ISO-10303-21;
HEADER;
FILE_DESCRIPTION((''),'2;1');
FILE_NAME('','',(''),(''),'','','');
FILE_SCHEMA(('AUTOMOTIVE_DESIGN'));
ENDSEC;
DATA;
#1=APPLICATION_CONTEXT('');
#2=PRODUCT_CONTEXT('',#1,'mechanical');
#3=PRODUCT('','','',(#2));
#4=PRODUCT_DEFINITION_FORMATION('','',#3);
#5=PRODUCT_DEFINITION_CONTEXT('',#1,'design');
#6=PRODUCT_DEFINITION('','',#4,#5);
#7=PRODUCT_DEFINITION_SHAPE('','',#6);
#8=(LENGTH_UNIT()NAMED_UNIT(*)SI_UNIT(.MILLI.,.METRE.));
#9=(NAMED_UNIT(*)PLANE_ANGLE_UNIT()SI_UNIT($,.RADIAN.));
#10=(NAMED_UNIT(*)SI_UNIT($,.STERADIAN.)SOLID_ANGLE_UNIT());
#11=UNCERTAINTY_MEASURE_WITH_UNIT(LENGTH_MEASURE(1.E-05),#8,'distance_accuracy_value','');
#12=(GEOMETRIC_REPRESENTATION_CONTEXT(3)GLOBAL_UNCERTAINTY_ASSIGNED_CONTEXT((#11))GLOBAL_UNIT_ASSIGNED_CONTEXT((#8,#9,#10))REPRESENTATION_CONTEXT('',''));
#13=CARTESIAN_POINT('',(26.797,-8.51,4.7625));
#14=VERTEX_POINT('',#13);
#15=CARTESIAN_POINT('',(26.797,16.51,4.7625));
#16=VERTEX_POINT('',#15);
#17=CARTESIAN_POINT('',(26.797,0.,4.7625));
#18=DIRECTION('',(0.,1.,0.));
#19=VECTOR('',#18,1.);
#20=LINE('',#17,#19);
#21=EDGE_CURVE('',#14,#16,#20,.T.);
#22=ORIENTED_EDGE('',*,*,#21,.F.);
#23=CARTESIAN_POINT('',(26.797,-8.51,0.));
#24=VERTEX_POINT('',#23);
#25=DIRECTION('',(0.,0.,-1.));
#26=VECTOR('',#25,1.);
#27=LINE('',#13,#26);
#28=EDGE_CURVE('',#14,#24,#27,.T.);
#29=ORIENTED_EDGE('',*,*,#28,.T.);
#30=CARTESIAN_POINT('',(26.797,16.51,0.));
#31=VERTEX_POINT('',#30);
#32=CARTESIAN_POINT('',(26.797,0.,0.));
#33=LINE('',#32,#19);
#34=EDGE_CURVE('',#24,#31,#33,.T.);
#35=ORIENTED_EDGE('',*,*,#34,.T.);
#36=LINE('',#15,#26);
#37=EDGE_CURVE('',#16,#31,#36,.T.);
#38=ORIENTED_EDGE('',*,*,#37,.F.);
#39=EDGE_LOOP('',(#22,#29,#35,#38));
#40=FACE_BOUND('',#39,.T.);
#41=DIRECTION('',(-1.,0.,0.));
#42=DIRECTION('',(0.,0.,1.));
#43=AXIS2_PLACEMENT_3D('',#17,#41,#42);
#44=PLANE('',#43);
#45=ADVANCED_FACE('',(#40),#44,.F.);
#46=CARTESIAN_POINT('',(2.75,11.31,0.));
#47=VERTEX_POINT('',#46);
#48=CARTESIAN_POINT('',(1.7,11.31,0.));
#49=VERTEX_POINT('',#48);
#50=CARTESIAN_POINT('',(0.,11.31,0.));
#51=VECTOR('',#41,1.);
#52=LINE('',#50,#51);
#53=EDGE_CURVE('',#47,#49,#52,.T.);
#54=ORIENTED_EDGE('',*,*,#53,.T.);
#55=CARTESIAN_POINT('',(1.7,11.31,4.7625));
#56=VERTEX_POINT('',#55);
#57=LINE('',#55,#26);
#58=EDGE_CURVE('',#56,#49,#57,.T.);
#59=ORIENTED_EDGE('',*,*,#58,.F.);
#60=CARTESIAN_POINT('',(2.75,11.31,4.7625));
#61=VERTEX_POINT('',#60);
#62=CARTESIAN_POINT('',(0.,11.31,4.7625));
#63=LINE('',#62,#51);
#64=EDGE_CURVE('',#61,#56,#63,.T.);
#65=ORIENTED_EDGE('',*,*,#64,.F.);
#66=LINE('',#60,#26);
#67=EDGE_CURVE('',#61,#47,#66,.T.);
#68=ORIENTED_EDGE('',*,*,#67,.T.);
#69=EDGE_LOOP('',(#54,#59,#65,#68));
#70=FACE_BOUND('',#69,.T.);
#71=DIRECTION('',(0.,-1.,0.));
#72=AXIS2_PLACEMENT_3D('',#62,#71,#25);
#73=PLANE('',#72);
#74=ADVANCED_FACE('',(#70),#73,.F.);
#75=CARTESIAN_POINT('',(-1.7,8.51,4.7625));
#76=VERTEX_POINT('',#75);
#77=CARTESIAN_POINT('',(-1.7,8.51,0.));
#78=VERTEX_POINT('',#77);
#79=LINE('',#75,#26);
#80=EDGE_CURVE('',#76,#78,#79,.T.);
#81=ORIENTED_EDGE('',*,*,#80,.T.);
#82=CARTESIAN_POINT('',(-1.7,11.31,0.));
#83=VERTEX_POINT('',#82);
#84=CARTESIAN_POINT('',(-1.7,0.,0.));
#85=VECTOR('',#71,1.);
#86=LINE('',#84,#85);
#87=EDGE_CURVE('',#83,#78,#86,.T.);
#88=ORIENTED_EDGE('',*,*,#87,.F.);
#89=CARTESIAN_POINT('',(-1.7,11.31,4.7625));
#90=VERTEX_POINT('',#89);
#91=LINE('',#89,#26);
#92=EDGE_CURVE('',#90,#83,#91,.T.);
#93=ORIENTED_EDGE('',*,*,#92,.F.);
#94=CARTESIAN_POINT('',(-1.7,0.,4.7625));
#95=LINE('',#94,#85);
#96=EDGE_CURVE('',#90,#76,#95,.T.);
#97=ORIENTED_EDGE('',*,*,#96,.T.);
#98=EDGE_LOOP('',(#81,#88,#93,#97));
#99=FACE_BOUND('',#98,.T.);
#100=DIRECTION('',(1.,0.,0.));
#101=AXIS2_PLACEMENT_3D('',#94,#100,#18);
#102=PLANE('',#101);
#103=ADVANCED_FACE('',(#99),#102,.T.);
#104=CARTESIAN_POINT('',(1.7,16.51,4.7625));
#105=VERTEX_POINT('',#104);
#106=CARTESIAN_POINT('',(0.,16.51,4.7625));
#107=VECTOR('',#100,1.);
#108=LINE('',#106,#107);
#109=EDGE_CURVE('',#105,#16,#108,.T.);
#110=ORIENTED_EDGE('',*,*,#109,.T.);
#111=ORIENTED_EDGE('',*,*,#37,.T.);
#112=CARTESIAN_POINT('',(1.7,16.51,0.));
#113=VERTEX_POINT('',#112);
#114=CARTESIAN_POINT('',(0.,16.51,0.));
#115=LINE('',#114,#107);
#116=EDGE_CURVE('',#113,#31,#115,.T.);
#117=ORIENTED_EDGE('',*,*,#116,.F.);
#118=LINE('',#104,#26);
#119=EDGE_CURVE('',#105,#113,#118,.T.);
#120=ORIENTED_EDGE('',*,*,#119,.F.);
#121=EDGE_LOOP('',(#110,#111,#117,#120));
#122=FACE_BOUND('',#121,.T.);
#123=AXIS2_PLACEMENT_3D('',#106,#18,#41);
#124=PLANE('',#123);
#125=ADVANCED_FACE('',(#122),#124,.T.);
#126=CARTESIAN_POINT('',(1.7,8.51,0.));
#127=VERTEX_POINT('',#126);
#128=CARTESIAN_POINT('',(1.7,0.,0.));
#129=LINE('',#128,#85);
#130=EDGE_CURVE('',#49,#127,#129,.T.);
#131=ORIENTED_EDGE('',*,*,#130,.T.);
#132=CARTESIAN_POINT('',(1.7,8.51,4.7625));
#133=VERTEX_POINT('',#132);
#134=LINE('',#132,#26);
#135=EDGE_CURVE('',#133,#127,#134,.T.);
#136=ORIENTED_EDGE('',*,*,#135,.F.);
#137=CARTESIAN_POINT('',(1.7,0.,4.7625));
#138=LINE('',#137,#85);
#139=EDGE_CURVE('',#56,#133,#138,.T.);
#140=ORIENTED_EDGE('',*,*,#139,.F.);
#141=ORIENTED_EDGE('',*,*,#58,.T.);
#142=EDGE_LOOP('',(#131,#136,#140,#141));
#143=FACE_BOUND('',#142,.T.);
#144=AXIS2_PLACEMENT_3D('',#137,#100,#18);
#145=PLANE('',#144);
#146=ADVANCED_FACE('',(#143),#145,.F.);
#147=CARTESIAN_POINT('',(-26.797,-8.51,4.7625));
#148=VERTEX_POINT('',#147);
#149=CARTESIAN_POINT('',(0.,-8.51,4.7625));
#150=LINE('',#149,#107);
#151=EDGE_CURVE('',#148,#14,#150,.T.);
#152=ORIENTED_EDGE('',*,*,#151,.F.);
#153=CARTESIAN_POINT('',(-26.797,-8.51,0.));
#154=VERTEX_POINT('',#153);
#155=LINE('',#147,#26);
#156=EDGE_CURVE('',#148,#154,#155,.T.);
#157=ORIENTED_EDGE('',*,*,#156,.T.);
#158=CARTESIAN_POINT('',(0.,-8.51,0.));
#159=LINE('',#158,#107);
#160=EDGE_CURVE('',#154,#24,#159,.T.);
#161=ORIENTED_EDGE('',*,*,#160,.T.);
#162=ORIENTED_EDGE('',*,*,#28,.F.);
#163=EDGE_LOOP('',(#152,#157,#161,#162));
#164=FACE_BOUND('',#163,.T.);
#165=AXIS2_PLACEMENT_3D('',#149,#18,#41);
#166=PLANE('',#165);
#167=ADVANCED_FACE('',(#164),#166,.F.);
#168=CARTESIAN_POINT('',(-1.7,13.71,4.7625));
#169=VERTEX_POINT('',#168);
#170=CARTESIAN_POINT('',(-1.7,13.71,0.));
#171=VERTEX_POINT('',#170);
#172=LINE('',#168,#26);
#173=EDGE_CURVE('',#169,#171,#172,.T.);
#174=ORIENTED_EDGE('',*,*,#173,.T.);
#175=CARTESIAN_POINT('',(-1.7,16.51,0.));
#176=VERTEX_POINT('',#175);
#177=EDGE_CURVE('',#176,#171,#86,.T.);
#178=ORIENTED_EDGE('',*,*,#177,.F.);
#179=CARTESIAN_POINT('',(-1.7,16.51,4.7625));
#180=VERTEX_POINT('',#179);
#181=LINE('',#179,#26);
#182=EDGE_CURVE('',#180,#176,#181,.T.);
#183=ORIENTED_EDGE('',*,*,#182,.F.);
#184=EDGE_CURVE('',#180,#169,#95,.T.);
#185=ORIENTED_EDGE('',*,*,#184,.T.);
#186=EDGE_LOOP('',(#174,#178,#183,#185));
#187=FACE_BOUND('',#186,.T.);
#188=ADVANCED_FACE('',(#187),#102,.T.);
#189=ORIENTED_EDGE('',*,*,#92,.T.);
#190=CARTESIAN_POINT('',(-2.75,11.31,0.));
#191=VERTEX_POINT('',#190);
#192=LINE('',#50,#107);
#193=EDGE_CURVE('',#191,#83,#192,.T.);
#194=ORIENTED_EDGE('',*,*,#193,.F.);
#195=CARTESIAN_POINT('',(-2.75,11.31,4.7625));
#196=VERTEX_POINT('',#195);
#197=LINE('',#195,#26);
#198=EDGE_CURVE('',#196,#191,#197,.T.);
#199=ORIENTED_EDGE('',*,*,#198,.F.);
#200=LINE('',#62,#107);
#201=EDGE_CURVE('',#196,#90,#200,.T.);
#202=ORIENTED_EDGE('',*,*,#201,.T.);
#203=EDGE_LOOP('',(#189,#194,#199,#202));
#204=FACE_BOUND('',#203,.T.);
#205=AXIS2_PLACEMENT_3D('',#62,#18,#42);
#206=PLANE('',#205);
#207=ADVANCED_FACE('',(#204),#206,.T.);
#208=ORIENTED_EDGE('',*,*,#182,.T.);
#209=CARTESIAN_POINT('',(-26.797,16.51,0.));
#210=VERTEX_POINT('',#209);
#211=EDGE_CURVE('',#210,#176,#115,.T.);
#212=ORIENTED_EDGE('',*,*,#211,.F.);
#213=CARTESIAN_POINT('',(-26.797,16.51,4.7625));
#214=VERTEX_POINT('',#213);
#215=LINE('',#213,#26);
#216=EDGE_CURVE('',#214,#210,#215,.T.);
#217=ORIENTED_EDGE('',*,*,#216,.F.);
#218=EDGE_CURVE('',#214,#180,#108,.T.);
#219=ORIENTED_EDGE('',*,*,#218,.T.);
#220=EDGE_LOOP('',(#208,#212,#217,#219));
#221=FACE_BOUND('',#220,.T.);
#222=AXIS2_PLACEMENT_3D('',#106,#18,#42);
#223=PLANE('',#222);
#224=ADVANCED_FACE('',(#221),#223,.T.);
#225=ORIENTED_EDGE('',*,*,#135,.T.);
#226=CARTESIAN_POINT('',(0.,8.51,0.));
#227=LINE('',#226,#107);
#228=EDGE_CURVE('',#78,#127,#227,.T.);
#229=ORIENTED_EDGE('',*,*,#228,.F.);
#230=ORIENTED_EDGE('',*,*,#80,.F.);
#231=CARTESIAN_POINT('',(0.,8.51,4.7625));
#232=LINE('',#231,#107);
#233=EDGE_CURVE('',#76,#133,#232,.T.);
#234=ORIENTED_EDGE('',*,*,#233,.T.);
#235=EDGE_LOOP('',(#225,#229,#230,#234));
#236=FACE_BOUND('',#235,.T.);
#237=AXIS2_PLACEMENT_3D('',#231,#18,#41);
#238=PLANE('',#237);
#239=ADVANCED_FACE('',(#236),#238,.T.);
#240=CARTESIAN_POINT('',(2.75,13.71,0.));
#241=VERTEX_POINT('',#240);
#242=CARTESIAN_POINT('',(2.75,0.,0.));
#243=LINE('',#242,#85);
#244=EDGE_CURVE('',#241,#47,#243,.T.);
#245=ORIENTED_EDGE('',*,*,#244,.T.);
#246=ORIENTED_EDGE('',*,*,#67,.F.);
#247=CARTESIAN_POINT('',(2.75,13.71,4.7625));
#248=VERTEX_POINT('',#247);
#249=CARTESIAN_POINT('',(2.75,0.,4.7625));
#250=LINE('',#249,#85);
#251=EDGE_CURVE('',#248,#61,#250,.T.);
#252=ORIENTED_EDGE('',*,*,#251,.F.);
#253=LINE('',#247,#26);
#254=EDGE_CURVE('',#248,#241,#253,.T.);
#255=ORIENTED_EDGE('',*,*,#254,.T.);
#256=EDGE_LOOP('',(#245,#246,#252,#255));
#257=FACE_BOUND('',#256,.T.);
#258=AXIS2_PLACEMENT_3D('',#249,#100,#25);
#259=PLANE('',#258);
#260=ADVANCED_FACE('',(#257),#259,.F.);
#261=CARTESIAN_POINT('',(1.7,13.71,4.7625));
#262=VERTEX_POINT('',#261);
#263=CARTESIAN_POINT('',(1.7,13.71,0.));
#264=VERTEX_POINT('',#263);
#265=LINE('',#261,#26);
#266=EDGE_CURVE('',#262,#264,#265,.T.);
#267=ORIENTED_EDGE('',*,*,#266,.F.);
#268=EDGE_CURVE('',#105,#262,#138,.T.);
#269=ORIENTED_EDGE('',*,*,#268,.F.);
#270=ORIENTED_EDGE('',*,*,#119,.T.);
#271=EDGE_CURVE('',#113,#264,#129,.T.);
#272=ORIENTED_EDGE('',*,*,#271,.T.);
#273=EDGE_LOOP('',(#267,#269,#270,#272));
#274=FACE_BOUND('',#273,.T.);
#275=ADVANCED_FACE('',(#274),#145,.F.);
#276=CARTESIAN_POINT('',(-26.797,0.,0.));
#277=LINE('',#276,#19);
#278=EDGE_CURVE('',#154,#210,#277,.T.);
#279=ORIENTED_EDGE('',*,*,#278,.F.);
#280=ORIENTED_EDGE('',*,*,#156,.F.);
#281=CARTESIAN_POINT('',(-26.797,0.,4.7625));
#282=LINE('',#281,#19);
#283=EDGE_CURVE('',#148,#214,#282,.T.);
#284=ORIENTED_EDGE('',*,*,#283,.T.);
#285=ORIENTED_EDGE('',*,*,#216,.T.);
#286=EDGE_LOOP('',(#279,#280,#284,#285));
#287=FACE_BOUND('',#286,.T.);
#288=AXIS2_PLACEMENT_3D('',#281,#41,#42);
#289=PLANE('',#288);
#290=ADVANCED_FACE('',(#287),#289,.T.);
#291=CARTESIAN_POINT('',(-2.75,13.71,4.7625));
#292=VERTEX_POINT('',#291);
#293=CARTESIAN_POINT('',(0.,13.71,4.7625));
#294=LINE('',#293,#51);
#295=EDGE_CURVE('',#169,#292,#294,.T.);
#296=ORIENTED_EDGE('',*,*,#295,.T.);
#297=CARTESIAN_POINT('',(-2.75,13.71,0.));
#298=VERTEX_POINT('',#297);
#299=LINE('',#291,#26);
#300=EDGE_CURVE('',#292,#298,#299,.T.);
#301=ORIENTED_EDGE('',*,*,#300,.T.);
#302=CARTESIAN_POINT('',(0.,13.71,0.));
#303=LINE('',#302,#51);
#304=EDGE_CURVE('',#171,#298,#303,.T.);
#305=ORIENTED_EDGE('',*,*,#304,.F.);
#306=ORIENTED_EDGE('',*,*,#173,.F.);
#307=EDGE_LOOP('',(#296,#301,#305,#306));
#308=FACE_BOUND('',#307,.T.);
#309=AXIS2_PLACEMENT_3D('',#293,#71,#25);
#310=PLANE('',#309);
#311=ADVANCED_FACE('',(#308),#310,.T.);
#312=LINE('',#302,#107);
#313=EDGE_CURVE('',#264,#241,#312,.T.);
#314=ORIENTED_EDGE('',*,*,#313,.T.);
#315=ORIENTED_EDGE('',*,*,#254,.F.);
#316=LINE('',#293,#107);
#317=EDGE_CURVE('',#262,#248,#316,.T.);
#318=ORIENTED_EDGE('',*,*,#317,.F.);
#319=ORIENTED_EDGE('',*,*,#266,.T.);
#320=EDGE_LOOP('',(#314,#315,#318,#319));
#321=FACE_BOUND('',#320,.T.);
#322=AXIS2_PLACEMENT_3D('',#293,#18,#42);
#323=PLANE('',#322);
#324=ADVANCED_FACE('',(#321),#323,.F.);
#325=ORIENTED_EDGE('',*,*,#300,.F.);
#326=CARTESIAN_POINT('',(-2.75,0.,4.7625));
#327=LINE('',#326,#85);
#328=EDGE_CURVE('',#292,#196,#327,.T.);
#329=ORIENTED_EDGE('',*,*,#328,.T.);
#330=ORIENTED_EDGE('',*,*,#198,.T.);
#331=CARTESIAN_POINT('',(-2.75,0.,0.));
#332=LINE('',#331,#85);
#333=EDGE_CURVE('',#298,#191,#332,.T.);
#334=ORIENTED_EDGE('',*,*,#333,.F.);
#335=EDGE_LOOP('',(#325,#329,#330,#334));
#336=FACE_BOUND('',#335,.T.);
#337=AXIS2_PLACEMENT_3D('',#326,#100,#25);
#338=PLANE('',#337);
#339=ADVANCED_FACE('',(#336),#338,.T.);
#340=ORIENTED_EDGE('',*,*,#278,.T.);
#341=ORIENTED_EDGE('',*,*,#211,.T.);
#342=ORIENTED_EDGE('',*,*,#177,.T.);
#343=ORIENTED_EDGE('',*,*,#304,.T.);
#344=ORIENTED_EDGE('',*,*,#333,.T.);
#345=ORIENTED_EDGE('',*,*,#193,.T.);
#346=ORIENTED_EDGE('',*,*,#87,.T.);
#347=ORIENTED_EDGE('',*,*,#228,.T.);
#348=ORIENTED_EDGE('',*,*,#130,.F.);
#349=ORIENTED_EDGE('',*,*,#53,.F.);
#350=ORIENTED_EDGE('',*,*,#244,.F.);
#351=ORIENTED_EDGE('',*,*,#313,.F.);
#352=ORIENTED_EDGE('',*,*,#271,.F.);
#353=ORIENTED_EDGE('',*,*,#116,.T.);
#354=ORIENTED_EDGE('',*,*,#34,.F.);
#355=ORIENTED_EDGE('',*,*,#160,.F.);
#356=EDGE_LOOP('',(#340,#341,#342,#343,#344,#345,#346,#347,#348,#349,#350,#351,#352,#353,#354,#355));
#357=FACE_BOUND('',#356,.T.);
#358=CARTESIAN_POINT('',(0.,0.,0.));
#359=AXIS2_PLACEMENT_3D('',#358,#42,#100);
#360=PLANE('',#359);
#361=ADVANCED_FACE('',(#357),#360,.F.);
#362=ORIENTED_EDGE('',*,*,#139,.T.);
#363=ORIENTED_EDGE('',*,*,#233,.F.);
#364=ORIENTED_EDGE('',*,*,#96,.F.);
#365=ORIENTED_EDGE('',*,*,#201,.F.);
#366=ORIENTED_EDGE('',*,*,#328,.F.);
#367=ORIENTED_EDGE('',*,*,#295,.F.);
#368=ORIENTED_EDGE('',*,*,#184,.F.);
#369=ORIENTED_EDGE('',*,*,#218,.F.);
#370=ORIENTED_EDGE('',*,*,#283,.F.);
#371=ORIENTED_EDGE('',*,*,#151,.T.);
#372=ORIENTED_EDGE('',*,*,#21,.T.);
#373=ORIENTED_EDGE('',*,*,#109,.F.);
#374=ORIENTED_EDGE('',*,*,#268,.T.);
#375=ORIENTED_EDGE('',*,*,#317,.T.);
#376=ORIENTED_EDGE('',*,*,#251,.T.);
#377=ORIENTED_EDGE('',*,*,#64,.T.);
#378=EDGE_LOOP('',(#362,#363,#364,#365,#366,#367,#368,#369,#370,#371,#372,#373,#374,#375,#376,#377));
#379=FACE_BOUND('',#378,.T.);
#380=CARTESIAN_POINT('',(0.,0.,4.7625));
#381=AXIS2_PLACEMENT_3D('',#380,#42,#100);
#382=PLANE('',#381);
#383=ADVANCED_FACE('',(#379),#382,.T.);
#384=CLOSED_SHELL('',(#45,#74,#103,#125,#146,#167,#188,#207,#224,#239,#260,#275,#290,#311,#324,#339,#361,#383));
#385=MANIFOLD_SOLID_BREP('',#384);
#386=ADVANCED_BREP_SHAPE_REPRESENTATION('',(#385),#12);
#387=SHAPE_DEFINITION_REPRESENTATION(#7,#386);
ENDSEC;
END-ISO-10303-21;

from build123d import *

# Parameters (mm, degrees)
BOSS_EXTRUDE1_DEPTH = 4.7625


with BuildPart() as part:
    # Sketch1 → Boss-Extrude1 (new body)
    with BuildSketch(Plane.XY):
        Polygon((-26.797, -8.51), (-26.797, 16.51), (-1.7, 16.51), (-1.7, 13.71), (-2.75, 13.71), (-2.75, 11.31), (-1.7, 11.31), (-1.7, 8.51), (1.7, 8.51), (1.7, 11.31), (2.75, 11.31), (2.75, 13.71), (1.7, 13.71), (1.7, 16.51), (26.797, 16.51), (26.797, -8.51), align=None)
    extrude(amount=BOSS_EXTRUDE1_DEPTH)


solid = part.part
